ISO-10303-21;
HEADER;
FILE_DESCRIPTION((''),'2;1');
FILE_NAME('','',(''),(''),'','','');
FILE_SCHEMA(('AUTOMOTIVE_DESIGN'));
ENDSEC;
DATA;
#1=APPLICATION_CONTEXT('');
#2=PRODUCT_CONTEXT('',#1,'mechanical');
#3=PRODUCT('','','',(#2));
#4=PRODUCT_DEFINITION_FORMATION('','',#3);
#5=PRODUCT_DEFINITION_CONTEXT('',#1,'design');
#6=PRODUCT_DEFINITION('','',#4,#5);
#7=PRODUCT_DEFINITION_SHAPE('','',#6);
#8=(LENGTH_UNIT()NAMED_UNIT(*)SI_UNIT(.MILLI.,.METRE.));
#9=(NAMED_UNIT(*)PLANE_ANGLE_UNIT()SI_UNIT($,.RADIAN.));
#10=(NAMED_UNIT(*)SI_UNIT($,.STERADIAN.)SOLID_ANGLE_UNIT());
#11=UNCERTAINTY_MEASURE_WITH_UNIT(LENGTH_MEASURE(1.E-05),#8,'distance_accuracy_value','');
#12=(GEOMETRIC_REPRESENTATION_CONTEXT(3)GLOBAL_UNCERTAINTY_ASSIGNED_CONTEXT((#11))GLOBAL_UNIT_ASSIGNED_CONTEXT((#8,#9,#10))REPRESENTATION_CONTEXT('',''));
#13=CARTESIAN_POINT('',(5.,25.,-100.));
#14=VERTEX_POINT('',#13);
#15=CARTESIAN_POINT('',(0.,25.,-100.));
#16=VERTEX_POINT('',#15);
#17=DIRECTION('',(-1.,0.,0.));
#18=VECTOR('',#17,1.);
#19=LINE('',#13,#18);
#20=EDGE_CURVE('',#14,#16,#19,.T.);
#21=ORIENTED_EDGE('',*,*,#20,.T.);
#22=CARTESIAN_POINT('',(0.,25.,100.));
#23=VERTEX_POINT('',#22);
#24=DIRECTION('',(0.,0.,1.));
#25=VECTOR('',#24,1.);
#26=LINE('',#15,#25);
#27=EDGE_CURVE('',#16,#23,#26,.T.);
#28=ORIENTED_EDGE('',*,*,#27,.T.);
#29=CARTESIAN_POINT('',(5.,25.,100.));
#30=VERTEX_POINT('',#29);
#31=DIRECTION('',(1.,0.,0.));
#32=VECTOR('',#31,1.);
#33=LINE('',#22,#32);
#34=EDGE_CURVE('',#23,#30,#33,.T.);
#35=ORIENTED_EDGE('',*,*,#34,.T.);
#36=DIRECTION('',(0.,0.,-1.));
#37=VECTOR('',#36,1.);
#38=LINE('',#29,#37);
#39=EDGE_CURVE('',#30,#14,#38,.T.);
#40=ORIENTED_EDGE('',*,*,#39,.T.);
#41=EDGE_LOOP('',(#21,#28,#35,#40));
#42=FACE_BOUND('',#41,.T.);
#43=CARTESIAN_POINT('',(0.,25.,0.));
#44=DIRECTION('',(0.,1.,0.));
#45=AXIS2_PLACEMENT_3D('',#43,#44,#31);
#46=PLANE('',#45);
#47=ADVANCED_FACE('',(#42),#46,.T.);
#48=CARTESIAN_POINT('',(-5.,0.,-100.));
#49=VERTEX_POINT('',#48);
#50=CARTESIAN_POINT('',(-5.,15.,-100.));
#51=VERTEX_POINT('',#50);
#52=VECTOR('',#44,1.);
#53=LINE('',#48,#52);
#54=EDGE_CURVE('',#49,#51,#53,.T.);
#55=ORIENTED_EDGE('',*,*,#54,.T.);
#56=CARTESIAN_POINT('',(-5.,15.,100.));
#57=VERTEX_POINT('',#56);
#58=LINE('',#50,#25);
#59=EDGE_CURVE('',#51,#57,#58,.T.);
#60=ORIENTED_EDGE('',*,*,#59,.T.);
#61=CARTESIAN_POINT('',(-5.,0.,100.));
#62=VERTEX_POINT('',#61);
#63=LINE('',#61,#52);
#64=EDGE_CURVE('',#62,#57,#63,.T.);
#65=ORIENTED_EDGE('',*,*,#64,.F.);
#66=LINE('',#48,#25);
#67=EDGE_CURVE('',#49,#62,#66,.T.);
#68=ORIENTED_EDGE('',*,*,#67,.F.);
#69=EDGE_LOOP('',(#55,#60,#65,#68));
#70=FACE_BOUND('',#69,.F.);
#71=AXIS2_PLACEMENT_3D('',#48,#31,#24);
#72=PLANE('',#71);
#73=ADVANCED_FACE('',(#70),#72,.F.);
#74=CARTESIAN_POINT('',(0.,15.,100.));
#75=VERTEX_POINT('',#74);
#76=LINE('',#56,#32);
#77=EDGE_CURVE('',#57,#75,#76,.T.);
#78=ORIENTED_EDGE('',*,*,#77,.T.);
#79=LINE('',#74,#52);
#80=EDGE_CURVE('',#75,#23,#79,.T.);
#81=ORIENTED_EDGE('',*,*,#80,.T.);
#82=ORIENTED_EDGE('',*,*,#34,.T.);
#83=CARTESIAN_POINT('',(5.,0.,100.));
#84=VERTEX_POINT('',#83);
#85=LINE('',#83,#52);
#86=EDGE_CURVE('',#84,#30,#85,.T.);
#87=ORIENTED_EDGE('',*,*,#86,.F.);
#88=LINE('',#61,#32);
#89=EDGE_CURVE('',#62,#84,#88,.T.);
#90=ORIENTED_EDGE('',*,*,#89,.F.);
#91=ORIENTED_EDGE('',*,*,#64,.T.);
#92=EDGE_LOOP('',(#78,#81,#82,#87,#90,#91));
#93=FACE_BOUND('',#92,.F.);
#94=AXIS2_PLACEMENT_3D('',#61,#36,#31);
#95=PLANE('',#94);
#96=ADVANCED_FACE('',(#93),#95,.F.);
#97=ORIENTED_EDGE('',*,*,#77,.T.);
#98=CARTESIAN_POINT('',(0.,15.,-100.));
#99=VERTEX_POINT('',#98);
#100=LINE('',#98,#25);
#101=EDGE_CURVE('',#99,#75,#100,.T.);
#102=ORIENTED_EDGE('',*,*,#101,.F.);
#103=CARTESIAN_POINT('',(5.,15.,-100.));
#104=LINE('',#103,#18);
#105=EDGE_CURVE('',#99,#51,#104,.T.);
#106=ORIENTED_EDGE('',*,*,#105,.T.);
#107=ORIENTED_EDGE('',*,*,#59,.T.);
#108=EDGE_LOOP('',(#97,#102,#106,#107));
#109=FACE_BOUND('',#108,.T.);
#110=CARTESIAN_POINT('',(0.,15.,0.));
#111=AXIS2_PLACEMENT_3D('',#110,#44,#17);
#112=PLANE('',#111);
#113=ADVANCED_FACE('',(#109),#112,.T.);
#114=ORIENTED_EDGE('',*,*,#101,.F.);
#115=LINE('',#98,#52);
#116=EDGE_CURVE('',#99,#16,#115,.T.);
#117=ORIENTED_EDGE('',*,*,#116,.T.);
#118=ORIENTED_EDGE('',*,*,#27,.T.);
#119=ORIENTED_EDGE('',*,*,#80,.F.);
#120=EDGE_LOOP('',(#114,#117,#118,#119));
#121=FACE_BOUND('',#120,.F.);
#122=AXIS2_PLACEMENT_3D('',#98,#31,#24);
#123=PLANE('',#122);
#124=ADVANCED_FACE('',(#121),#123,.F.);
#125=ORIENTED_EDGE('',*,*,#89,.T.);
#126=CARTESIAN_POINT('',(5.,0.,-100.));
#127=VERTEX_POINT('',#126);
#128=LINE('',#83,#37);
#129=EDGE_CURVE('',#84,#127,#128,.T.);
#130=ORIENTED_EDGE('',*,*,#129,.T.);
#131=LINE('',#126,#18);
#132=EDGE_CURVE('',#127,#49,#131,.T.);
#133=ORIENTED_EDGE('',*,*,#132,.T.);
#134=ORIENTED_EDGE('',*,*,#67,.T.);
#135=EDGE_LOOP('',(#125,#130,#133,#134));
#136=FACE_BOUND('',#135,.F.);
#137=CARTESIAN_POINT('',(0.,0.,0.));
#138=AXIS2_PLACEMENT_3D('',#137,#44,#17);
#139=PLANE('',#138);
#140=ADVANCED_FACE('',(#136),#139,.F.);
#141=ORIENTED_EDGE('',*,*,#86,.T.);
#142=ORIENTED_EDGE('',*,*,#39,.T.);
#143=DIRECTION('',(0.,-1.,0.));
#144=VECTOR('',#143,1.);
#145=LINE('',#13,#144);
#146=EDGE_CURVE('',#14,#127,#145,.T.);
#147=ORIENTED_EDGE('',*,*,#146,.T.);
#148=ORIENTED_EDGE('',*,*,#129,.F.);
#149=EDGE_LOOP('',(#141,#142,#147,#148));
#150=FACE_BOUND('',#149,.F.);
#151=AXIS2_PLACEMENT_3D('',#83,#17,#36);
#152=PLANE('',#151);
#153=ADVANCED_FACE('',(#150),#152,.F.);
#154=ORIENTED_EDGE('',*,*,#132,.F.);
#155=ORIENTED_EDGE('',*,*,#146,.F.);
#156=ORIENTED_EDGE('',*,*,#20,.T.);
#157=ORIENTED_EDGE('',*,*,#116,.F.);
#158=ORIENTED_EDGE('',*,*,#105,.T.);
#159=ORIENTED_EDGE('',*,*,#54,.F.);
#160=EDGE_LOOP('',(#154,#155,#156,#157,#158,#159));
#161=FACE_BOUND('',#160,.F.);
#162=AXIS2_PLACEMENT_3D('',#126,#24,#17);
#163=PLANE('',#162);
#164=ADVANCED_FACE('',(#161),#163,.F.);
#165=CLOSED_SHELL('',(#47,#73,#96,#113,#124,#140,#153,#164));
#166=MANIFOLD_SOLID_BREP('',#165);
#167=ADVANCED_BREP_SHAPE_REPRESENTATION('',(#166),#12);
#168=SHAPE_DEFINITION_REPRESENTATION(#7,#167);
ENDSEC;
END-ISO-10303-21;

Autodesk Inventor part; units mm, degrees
ref_plane "YZ Plane" through (0, 0, 0) normal (1, 0, 0) x (0, 1, 0)
ref_plane "XZ Plane" through (0, 0, 0) normal (0, 1, 0) x (-1, 0, 0)
ref_plane "XY Plane" through (0, 0, 0) normal (0, 0, 1) x (1, 0, 0)
sketch "Sketch1" plane through (0, 0, 0) normal (0, 1, 0) x (-1, 0, 0)
  line L0 (5, 100) -> (-5, 100)
  line L1 (-5, 100) -> (-5, -100)
  line L2 (-5, -100) -> (5, -100)
  line L3 (5, -100) -> (5, 100)
  line L4 (5, 100) -> (-5, -100) construction
  line L5 (-5, 100) -> (5, -100) construction
  point P0 (0, 0)
  dimension "d0" = 10
  dimension "d1" = 200
extrude "Extrusion1" add sketch "Sketch1" along normal blind 15
sketch "Sketch2" plane through (0, 15, 0) normal (0, 1, 0) x (1, 0, 0)
  line L0 (0, -100) -> (5, -100)
  line L1 (5, -100) -> (5, 100)
  line L2 (5, 100) -> (0, 100)
  line L3 (0, 100) -> (0, -100)
  line L4 (5, -100) -> (5, 100) projected
  line L5 (5, 100) -> (-5, 100) projected
  line L6 (-5, -100) -> (5, -100) projected
  point P0 (0, 0)
  dimension "d4" = 5
extrude "Extrusion2" add sketch "Sketch2" along normal blind 10
properties part number "slider_rail"
